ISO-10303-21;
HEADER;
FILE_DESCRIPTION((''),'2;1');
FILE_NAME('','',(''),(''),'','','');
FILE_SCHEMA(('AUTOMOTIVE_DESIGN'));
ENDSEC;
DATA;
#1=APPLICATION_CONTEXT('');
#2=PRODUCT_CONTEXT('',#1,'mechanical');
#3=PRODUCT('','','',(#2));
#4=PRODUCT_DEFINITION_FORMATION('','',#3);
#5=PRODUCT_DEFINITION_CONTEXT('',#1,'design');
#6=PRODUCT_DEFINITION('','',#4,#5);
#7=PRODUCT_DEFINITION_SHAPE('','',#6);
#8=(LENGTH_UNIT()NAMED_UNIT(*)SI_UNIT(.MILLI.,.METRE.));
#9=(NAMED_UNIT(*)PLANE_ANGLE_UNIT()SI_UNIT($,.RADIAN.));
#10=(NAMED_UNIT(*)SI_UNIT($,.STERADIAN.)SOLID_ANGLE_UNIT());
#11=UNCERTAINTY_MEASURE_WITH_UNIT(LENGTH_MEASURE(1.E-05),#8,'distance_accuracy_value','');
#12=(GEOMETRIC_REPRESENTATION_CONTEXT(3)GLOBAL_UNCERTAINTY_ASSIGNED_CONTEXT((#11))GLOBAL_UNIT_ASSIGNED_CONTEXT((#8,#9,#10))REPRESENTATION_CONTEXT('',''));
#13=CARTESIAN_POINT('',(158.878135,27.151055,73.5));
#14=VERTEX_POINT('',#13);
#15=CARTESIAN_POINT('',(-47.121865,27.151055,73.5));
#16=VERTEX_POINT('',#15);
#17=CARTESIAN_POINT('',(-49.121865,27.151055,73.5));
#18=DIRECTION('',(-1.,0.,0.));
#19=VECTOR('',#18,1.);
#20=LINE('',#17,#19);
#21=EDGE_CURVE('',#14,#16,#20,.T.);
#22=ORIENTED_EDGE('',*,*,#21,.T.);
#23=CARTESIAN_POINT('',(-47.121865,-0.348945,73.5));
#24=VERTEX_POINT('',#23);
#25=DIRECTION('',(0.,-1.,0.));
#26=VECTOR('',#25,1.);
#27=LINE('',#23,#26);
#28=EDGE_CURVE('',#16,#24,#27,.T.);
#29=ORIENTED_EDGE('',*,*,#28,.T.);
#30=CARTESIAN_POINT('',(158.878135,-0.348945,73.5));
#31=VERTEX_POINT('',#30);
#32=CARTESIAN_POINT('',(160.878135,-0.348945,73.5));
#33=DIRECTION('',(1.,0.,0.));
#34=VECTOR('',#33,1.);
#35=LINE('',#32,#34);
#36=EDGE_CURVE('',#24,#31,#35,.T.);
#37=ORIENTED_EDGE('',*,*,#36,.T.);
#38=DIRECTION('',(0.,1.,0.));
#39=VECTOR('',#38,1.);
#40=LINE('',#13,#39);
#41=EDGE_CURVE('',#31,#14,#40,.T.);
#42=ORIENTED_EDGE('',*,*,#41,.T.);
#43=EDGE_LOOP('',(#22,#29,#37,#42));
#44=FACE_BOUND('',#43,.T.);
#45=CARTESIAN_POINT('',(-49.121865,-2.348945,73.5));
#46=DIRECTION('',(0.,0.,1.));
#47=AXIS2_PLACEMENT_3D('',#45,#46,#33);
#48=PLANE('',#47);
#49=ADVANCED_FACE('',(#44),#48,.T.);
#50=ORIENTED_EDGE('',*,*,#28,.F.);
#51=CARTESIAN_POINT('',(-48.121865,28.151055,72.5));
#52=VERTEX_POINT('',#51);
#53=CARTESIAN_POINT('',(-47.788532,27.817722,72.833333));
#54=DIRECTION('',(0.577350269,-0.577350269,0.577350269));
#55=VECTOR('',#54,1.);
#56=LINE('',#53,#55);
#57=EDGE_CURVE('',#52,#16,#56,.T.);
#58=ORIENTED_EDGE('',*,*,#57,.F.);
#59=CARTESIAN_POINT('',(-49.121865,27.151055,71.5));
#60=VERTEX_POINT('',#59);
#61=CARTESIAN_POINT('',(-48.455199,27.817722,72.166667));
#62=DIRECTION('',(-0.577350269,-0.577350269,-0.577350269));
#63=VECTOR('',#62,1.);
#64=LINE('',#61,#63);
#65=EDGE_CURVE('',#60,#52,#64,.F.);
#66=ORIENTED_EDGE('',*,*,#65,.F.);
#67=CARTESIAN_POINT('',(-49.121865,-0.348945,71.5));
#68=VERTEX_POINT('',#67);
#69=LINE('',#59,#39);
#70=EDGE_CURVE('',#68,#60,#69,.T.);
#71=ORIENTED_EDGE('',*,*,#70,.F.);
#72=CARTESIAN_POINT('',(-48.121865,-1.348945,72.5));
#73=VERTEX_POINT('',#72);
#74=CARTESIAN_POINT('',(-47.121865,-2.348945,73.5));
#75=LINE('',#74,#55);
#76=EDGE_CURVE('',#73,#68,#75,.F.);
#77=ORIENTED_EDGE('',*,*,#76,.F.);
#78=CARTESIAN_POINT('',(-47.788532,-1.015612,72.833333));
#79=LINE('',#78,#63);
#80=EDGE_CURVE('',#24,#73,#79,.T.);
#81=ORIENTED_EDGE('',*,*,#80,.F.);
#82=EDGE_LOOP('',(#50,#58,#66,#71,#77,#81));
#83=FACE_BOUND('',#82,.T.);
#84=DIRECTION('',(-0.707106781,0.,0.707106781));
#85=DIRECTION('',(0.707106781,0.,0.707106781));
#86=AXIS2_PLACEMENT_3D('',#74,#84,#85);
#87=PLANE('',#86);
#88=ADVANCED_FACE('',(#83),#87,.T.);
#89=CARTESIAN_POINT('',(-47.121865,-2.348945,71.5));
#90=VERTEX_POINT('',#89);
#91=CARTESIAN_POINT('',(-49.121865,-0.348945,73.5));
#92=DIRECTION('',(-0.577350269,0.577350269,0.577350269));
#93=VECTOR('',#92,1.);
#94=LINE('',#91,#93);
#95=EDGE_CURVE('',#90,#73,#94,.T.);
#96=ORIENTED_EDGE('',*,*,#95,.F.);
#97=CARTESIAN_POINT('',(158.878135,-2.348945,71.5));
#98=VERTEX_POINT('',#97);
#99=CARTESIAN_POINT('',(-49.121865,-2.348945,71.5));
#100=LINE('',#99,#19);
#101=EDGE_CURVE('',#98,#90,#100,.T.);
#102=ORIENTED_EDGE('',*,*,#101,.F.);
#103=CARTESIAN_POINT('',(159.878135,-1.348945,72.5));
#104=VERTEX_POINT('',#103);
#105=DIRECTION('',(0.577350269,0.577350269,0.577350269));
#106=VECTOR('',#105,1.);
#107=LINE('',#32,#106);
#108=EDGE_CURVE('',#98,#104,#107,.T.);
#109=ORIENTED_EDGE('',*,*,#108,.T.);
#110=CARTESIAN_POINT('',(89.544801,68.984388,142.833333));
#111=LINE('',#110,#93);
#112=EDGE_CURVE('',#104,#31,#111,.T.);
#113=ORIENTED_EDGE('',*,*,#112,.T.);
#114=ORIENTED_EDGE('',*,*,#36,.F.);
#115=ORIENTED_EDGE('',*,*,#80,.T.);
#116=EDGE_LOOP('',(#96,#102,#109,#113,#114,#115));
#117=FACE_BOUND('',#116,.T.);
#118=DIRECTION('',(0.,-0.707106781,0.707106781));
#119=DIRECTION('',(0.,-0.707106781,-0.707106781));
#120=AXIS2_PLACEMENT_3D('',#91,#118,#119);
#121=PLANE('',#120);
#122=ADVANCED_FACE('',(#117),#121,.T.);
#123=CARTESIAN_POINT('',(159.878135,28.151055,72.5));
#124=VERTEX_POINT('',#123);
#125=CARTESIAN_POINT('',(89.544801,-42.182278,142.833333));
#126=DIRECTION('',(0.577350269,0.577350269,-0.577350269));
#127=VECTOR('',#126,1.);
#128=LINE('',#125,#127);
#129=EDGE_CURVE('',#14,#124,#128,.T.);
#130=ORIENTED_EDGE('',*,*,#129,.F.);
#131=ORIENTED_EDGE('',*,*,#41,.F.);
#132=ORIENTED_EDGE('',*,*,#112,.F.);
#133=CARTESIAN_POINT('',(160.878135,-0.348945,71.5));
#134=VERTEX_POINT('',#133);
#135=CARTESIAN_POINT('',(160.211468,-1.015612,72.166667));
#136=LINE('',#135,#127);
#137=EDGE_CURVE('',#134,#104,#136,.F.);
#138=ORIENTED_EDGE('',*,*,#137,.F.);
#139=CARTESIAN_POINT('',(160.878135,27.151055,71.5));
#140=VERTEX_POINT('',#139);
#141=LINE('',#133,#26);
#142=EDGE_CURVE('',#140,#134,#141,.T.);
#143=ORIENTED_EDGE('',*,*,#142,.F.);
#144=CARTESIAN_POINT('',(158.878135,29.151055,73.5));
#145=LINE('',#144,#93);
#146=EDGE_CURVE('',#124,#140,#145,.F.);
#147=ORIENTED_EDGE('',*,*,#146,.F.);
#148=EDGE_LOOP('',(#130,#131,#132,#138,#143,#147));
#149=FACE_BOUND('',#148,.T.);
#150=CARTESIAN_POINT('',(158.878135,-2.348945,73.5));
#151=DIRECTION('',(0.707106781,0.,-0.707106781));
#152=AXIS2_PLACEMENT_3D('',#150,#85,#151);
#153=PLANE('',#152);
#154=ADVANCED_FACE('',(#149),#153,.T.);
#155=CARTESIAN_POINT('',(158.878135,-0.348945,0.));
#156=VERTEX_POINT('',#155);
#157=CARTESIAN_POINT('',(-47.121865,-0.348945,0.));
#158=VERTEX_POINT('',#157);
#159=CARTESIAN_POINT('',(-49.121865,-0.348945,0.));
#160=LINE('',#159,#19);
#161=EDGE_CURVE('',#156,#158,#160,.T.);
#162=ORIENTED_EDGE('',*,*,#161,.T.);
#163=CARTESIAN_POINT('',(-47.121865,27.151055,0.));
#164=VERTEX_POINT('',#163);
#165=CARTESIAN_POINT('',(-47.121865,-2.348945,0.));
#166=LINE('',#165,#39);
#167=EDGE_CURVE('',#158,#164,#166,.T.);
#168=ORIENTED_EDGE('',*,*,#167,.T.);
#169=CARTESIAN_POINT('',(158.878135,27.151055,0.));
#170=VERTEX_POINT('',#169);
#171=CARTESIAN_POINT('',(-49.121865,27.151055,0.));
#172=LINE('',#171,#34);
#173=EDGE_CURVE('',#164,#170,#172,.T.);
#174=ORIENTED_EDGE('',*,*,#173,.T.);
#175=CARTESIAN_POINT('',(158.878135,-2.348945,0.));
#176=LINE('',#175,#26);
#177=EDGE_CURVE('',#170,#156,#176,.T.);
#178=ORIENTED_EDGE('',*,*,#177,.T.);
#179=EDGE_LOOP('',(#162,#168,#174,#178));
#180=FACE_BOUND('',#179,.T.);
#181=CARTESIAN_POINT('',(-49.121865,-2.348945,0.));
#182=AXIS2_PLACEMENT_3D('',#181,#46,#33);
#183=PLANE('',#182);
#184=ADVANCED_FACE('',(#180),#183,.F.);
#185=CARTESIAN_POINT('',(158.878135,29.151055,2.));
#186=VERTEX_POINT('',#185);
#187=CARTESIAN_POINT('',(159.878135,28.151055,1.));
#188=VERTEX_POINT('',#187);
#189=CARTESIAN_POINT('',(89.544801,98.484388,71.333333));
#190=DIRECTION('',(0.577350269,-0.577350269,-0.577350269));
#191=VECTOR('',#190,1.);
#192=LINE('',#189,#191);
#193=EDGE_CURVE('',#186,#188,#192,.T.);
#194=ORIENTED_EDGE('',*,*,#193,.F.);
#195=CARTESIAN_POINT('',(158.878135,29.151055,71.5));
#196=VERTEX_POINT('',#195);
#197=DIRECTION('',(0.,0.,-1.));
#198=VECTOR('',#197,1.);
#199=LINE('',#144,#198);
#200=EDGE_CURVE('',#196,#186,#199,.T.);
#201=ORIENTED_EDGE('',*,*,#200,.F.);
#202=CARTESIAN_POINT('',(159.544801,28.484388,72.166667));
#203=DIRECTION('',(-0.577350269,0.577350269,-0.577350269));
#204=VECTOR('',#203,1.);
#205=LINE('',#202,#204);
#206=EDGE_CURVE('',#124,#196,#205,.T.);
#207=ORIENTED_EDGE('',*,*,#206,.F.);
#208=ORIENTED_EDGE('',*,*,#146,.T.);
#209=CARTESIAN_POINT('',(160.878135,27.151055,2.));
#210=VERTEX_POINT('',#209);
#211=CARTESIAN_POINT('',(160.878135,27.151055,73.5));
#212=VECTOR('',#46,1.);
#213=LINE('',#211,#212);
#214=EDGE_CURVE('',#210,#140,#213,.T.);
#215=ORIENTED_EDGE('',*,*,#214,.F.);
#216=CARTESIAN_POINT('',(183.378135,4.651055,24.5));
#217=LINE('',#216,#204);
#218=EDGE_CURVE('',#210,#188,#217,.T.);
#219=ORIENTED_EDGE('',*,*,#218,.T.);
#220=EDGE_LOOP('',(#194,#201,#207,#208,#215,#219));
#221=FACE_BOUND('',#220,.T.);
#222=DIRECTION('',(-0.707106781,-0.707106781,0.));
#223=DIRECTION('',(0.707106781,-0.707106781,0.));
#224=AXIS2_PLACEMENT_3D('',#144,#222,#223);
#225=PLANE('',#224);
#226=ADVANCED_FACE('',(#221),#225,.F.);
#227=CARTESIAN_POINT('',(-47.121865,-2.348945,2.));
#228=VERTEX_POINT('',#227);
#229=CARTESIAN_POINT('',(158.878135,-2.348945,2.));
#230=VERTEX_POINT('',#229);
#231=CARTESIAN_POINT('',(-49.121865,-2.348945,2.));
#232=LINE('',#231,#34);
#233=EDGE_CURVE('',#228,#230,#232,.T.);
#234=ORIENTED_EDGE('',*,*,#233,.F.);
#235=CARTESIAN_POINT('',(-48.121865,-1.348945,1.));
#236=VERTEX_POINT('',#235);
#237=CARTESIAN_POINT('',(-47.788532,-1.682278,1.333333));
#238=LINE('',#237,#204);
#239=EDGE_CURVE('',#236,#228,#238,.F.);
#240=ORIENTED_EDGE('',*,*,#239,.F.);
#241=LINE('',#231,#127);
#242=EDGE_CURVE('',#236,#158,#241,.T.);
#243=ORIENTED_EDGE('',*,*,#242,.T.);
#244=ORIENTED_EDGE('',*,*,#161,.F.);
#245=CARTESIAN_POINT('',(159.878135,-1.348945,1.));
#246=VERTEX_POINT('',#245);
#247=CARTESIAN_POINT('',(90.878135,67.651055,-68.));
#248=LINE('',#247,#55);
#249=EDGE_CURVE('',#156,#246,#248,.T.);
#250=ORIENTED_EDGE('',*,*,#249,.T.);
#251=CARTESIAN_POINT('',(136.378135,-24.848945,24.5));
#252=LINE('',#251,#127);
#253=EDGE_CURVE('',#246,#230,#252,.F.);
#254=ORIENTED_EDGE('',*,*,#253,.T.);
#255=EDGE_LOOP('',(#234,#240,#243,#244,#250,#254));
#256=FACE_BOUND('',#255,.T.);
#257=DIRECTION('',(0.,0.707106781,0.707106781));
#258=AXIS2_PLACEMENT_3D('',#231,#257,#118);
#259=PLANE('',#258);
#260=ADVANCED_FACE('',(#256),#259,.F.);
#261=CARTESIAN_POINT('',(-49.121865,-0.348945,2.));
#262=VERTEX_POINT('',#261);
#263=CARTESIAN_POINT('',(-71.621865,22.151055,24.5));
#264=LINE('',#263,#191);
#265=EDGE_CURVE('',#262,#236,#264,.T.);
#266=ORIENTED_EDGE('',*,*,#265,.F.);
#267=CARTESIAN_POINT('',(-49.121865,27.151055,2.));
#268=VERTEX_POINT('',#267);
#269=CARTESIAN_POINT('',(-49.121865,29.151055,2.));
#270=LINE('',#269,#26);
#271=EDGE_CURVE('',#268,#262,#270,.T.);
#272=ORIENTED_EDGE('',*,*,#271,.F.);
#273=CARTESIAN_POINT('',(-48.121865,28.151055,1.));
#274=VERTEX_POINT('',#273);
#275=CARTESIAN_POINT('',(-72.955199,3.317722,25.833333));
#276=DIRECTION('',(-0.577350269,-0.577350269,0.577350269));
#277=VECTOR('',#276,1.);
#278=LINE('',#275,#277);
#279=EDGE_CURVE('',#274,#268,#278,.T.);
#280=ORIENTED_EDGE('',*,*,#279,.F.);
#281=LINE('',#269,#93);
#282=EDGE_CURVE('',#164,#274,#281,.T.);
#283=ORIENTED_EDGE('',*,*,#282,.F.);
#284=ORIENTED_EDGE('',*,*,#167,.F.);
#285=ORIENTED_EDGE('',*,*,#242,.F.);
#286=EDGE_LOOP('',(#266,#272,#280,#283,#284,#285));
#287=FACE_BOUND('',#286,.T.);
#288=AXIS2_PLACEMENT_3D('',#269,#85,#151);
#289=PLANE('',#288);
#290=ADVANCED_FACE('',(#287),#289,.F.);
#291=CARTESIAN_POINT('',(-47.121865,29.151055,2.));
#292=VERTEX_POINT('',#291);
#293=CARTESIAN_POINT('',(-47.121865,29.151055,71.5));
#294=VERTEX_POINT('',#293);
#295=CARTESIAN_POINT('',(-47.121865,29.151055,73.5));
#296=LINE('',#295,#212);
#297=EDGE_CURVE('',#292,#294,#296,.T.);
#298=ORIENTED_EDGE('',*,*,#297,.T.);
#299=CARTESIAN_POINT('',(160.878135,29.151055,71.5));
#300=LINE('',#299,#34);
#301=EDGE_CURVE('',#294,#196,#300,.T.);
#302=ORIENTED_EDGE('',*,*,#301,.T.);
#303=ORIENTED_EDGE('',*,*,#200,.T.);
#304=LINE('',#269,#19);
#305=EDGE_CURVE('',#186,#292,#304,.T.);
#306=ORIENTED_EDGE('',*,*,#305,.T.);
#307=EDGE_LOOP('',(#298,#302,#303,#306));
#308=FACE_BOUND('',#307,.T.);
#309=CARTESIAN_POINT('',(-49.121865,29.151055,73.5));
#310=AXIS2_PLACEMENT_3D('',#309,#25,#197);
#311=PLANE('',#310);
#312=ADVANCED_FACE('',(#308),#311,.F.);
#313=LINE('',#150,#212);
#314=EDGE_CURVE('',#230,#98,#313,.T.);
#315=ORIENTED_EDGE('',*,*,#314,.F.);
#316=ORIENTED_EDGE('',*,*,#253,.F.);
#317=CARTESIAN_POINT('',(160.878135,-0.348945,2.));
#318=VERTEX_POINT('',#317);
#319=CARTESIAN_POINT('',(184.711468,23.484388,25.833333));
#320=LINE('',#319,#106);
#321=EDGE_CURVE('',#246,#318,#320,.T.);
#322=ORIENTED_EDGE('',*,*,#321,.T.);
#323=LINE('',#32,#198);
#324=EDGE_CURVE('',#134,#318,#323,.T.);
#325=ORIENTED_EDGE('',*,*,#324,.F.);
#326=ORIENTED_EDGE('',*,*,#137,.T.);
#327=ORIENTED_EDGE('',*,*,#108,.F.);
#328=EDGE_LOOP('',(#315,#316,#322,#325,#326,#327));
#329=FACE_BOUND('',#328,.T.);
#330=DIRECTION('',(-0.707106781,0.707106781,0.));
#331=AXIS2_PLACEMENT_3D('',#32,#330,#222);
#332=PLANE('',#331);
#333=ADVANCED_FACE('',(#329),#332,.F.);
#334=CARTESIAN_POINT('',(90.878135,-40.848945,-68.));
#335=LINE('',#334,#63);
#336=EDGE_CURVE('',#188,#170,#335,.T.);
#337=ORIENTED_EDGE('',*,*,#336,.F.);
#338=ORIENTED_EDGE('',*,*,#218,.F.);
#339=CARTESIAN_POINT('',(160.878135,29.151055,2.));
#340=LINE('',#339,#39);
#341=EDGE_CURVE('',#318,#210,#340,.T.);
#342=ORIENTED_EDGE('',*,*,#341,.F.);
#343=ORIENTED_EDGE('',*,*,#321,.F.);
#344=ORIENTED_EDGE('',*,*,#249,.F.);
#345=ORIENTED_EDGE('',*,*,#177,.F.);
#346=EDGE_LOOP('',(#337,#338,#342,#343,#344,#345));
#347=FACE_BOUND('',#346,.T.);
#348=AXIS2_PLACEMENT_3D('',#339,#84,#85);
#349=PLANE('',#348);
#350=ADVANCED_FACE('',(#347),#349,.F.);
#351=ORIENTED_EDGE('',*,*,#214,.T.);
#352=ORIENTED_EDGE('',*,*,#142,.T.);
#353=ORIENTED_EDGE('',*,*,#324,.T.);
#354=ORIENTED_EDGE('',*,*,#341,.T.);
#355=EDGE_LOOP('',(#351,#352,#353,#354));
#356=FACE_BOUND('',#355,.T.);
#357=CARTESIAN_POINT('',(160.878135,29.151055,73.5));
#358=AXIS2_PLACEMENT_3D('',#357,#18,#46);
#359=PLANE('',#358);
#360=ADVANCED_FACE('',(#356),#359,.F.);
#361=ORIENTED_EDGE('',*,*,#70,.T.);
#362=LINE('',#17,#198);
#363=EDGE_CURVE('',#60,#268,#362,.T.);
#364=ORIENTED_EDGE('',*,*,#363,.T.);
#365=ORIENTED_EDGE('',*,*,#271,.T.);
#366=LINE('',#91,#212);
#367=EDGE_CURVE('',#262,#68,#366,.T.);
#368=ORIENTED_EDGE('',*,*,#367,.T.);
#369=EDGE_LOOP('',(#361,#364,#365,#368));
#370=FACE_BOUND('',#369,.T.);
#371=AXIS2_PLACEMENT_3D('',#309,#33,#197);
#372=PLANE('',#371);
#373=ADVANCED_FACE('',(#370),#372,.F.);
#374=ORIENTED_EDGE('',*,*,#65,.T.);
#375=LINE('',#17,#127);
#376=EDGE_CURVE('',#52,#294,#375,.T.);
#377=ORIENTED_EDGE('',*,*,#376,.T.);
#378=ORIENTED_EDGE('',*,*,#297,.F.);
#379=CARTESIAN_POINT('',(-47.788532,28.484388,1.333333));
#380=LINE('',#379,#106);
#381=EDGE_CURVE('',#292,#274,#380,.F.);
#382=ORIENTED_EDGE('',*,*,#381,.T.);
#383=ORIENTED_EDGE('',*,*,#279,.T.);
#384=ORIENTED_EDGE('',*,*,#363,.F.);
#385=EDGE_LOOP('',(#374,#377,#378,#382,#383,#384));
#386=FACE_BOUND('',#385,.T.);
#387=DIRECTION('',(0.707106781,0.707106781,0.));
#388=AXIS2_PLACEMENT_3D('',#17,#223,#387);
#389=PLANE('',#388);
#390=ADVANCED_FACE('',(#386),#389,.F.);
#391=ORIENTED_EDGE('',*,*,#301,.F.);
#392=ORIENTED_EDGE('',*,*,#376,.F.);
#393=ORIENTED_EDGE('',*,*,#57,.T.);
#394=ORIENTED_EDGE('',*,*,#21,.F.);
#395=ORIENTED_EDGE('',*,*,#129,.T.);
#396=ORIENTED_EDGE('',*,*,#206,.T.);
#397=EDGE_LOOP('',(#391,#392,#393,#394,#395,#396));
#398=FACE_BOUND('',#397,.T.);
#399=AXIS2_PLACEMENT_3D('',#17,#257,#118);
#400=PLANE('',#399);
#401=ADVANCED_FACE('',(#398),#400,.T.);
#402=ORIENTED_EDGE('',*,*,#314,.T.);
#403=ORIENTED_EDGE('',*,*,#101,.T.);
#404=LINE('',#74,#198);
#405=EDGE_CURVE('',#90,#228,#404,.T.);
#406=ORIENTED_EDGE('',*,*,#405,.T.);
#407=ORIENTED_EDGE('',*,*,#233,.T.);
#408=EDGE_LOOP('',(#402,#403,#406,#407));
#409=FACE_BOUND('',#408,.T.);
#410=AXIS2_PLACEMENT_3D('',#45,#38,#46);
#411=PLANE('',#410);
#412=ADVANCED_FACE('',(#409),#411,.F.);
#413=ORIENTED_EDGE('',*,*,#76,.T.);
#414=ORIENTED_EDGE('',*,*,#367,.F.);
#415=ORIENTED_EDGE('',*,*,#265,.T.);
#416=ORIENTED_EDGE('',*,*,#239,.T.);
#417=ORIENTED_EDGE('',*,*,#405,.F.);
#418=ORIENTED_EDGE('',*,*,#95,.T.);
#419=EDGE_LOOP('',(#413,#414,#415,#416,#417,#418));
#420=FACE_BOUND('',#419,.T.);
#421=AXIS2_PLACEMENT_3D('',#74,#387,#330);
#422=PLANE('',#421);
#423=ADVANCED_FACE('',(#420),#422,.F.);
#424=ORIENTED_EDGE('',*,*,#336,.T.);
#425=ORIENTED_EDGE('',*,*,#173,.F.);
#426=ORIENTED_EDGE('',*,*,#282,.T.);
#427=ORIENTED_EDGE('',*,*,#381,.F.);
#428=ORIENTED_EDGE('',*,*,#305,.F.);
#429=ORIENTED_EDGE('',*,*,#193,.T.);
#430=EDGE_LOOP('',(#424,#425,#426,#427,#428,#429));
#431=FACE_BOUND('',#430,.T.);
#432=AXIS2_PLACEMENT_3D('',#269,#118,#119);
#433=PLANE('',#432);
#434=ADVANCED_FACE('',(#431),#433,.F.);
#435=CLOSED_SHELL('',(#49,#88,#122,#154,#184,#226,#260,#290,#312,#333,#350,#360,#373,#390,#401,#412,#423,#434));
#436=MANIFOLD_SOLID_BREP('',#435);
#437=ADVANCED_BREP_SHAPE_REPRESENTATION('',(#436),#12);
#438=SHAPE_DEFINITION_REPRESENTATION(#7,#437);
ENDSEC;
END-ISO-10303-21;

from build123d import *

# Parameters (mm, degrees)
ESQUISSE1_W      = 210
ESQUISSE1_H      = 31.5
EXTRUSION1_DEPTH = 73.5
CHANFREIN1_SIZE  = 2
CHANFREIN2_SIZE  = 2
CHANFREIN3_SIZE  = 2


with BuildPart() as part:
    # Esquisse1 → Extrusion1 (new body)
    with BuildSketch(Plane.XY):
        with Locations((55.878134685, 13.401054852)):
            Rectangle(ESQUISSE1_W, ESQUISSE1_H)
    extrude(amount=EXTRUSION1_DEPTH)

    # Chanfrein1
    chanfrein1_edges = [part.edges().sort_by_distance(p)[0] for p in [
        (55.878134685, -2.348945148, 0),
        (55.878134685, -2.348945148, 73.5),
        (160.878134685, -2.348945148, 36.75),
        (-49.121865315, -2.348945148, 36.75),
    ]]
    chamfer(chanfrein1_edges, length=CHANFREIN1_SIZE)

    # Chanfrein2
    chanfrein2_edges = [part.edges().sort_by_distance(p)[0] for p in [
        (55.878134685, 29.151054852, 73.5),
        (55.878134685, 29.151054852, 0),
        (-49.121865315, 29.151054852, 36.75),
        (160.878134685, 29.151054852, 36.75),
    ]]
    chamfer(chanfrein2_edges, length=CHANFREIN2_SIZE)

    # Chanfrein3
    chanfrein3_edges = [part.edges().sort_by_distance(p)[0] for p in [
        (160.878134685, 13.401054852, 0),
        (160.878134685, 13.401054852, 73.5),
        (-49.121865315, 13.401054852, 0),
        (-49.121865315, 13.401054852, 73.5),
    ]]
    chamfer(chanfrein3_edges, length=CHANFREIN3_SIZE)


solid = part.part
